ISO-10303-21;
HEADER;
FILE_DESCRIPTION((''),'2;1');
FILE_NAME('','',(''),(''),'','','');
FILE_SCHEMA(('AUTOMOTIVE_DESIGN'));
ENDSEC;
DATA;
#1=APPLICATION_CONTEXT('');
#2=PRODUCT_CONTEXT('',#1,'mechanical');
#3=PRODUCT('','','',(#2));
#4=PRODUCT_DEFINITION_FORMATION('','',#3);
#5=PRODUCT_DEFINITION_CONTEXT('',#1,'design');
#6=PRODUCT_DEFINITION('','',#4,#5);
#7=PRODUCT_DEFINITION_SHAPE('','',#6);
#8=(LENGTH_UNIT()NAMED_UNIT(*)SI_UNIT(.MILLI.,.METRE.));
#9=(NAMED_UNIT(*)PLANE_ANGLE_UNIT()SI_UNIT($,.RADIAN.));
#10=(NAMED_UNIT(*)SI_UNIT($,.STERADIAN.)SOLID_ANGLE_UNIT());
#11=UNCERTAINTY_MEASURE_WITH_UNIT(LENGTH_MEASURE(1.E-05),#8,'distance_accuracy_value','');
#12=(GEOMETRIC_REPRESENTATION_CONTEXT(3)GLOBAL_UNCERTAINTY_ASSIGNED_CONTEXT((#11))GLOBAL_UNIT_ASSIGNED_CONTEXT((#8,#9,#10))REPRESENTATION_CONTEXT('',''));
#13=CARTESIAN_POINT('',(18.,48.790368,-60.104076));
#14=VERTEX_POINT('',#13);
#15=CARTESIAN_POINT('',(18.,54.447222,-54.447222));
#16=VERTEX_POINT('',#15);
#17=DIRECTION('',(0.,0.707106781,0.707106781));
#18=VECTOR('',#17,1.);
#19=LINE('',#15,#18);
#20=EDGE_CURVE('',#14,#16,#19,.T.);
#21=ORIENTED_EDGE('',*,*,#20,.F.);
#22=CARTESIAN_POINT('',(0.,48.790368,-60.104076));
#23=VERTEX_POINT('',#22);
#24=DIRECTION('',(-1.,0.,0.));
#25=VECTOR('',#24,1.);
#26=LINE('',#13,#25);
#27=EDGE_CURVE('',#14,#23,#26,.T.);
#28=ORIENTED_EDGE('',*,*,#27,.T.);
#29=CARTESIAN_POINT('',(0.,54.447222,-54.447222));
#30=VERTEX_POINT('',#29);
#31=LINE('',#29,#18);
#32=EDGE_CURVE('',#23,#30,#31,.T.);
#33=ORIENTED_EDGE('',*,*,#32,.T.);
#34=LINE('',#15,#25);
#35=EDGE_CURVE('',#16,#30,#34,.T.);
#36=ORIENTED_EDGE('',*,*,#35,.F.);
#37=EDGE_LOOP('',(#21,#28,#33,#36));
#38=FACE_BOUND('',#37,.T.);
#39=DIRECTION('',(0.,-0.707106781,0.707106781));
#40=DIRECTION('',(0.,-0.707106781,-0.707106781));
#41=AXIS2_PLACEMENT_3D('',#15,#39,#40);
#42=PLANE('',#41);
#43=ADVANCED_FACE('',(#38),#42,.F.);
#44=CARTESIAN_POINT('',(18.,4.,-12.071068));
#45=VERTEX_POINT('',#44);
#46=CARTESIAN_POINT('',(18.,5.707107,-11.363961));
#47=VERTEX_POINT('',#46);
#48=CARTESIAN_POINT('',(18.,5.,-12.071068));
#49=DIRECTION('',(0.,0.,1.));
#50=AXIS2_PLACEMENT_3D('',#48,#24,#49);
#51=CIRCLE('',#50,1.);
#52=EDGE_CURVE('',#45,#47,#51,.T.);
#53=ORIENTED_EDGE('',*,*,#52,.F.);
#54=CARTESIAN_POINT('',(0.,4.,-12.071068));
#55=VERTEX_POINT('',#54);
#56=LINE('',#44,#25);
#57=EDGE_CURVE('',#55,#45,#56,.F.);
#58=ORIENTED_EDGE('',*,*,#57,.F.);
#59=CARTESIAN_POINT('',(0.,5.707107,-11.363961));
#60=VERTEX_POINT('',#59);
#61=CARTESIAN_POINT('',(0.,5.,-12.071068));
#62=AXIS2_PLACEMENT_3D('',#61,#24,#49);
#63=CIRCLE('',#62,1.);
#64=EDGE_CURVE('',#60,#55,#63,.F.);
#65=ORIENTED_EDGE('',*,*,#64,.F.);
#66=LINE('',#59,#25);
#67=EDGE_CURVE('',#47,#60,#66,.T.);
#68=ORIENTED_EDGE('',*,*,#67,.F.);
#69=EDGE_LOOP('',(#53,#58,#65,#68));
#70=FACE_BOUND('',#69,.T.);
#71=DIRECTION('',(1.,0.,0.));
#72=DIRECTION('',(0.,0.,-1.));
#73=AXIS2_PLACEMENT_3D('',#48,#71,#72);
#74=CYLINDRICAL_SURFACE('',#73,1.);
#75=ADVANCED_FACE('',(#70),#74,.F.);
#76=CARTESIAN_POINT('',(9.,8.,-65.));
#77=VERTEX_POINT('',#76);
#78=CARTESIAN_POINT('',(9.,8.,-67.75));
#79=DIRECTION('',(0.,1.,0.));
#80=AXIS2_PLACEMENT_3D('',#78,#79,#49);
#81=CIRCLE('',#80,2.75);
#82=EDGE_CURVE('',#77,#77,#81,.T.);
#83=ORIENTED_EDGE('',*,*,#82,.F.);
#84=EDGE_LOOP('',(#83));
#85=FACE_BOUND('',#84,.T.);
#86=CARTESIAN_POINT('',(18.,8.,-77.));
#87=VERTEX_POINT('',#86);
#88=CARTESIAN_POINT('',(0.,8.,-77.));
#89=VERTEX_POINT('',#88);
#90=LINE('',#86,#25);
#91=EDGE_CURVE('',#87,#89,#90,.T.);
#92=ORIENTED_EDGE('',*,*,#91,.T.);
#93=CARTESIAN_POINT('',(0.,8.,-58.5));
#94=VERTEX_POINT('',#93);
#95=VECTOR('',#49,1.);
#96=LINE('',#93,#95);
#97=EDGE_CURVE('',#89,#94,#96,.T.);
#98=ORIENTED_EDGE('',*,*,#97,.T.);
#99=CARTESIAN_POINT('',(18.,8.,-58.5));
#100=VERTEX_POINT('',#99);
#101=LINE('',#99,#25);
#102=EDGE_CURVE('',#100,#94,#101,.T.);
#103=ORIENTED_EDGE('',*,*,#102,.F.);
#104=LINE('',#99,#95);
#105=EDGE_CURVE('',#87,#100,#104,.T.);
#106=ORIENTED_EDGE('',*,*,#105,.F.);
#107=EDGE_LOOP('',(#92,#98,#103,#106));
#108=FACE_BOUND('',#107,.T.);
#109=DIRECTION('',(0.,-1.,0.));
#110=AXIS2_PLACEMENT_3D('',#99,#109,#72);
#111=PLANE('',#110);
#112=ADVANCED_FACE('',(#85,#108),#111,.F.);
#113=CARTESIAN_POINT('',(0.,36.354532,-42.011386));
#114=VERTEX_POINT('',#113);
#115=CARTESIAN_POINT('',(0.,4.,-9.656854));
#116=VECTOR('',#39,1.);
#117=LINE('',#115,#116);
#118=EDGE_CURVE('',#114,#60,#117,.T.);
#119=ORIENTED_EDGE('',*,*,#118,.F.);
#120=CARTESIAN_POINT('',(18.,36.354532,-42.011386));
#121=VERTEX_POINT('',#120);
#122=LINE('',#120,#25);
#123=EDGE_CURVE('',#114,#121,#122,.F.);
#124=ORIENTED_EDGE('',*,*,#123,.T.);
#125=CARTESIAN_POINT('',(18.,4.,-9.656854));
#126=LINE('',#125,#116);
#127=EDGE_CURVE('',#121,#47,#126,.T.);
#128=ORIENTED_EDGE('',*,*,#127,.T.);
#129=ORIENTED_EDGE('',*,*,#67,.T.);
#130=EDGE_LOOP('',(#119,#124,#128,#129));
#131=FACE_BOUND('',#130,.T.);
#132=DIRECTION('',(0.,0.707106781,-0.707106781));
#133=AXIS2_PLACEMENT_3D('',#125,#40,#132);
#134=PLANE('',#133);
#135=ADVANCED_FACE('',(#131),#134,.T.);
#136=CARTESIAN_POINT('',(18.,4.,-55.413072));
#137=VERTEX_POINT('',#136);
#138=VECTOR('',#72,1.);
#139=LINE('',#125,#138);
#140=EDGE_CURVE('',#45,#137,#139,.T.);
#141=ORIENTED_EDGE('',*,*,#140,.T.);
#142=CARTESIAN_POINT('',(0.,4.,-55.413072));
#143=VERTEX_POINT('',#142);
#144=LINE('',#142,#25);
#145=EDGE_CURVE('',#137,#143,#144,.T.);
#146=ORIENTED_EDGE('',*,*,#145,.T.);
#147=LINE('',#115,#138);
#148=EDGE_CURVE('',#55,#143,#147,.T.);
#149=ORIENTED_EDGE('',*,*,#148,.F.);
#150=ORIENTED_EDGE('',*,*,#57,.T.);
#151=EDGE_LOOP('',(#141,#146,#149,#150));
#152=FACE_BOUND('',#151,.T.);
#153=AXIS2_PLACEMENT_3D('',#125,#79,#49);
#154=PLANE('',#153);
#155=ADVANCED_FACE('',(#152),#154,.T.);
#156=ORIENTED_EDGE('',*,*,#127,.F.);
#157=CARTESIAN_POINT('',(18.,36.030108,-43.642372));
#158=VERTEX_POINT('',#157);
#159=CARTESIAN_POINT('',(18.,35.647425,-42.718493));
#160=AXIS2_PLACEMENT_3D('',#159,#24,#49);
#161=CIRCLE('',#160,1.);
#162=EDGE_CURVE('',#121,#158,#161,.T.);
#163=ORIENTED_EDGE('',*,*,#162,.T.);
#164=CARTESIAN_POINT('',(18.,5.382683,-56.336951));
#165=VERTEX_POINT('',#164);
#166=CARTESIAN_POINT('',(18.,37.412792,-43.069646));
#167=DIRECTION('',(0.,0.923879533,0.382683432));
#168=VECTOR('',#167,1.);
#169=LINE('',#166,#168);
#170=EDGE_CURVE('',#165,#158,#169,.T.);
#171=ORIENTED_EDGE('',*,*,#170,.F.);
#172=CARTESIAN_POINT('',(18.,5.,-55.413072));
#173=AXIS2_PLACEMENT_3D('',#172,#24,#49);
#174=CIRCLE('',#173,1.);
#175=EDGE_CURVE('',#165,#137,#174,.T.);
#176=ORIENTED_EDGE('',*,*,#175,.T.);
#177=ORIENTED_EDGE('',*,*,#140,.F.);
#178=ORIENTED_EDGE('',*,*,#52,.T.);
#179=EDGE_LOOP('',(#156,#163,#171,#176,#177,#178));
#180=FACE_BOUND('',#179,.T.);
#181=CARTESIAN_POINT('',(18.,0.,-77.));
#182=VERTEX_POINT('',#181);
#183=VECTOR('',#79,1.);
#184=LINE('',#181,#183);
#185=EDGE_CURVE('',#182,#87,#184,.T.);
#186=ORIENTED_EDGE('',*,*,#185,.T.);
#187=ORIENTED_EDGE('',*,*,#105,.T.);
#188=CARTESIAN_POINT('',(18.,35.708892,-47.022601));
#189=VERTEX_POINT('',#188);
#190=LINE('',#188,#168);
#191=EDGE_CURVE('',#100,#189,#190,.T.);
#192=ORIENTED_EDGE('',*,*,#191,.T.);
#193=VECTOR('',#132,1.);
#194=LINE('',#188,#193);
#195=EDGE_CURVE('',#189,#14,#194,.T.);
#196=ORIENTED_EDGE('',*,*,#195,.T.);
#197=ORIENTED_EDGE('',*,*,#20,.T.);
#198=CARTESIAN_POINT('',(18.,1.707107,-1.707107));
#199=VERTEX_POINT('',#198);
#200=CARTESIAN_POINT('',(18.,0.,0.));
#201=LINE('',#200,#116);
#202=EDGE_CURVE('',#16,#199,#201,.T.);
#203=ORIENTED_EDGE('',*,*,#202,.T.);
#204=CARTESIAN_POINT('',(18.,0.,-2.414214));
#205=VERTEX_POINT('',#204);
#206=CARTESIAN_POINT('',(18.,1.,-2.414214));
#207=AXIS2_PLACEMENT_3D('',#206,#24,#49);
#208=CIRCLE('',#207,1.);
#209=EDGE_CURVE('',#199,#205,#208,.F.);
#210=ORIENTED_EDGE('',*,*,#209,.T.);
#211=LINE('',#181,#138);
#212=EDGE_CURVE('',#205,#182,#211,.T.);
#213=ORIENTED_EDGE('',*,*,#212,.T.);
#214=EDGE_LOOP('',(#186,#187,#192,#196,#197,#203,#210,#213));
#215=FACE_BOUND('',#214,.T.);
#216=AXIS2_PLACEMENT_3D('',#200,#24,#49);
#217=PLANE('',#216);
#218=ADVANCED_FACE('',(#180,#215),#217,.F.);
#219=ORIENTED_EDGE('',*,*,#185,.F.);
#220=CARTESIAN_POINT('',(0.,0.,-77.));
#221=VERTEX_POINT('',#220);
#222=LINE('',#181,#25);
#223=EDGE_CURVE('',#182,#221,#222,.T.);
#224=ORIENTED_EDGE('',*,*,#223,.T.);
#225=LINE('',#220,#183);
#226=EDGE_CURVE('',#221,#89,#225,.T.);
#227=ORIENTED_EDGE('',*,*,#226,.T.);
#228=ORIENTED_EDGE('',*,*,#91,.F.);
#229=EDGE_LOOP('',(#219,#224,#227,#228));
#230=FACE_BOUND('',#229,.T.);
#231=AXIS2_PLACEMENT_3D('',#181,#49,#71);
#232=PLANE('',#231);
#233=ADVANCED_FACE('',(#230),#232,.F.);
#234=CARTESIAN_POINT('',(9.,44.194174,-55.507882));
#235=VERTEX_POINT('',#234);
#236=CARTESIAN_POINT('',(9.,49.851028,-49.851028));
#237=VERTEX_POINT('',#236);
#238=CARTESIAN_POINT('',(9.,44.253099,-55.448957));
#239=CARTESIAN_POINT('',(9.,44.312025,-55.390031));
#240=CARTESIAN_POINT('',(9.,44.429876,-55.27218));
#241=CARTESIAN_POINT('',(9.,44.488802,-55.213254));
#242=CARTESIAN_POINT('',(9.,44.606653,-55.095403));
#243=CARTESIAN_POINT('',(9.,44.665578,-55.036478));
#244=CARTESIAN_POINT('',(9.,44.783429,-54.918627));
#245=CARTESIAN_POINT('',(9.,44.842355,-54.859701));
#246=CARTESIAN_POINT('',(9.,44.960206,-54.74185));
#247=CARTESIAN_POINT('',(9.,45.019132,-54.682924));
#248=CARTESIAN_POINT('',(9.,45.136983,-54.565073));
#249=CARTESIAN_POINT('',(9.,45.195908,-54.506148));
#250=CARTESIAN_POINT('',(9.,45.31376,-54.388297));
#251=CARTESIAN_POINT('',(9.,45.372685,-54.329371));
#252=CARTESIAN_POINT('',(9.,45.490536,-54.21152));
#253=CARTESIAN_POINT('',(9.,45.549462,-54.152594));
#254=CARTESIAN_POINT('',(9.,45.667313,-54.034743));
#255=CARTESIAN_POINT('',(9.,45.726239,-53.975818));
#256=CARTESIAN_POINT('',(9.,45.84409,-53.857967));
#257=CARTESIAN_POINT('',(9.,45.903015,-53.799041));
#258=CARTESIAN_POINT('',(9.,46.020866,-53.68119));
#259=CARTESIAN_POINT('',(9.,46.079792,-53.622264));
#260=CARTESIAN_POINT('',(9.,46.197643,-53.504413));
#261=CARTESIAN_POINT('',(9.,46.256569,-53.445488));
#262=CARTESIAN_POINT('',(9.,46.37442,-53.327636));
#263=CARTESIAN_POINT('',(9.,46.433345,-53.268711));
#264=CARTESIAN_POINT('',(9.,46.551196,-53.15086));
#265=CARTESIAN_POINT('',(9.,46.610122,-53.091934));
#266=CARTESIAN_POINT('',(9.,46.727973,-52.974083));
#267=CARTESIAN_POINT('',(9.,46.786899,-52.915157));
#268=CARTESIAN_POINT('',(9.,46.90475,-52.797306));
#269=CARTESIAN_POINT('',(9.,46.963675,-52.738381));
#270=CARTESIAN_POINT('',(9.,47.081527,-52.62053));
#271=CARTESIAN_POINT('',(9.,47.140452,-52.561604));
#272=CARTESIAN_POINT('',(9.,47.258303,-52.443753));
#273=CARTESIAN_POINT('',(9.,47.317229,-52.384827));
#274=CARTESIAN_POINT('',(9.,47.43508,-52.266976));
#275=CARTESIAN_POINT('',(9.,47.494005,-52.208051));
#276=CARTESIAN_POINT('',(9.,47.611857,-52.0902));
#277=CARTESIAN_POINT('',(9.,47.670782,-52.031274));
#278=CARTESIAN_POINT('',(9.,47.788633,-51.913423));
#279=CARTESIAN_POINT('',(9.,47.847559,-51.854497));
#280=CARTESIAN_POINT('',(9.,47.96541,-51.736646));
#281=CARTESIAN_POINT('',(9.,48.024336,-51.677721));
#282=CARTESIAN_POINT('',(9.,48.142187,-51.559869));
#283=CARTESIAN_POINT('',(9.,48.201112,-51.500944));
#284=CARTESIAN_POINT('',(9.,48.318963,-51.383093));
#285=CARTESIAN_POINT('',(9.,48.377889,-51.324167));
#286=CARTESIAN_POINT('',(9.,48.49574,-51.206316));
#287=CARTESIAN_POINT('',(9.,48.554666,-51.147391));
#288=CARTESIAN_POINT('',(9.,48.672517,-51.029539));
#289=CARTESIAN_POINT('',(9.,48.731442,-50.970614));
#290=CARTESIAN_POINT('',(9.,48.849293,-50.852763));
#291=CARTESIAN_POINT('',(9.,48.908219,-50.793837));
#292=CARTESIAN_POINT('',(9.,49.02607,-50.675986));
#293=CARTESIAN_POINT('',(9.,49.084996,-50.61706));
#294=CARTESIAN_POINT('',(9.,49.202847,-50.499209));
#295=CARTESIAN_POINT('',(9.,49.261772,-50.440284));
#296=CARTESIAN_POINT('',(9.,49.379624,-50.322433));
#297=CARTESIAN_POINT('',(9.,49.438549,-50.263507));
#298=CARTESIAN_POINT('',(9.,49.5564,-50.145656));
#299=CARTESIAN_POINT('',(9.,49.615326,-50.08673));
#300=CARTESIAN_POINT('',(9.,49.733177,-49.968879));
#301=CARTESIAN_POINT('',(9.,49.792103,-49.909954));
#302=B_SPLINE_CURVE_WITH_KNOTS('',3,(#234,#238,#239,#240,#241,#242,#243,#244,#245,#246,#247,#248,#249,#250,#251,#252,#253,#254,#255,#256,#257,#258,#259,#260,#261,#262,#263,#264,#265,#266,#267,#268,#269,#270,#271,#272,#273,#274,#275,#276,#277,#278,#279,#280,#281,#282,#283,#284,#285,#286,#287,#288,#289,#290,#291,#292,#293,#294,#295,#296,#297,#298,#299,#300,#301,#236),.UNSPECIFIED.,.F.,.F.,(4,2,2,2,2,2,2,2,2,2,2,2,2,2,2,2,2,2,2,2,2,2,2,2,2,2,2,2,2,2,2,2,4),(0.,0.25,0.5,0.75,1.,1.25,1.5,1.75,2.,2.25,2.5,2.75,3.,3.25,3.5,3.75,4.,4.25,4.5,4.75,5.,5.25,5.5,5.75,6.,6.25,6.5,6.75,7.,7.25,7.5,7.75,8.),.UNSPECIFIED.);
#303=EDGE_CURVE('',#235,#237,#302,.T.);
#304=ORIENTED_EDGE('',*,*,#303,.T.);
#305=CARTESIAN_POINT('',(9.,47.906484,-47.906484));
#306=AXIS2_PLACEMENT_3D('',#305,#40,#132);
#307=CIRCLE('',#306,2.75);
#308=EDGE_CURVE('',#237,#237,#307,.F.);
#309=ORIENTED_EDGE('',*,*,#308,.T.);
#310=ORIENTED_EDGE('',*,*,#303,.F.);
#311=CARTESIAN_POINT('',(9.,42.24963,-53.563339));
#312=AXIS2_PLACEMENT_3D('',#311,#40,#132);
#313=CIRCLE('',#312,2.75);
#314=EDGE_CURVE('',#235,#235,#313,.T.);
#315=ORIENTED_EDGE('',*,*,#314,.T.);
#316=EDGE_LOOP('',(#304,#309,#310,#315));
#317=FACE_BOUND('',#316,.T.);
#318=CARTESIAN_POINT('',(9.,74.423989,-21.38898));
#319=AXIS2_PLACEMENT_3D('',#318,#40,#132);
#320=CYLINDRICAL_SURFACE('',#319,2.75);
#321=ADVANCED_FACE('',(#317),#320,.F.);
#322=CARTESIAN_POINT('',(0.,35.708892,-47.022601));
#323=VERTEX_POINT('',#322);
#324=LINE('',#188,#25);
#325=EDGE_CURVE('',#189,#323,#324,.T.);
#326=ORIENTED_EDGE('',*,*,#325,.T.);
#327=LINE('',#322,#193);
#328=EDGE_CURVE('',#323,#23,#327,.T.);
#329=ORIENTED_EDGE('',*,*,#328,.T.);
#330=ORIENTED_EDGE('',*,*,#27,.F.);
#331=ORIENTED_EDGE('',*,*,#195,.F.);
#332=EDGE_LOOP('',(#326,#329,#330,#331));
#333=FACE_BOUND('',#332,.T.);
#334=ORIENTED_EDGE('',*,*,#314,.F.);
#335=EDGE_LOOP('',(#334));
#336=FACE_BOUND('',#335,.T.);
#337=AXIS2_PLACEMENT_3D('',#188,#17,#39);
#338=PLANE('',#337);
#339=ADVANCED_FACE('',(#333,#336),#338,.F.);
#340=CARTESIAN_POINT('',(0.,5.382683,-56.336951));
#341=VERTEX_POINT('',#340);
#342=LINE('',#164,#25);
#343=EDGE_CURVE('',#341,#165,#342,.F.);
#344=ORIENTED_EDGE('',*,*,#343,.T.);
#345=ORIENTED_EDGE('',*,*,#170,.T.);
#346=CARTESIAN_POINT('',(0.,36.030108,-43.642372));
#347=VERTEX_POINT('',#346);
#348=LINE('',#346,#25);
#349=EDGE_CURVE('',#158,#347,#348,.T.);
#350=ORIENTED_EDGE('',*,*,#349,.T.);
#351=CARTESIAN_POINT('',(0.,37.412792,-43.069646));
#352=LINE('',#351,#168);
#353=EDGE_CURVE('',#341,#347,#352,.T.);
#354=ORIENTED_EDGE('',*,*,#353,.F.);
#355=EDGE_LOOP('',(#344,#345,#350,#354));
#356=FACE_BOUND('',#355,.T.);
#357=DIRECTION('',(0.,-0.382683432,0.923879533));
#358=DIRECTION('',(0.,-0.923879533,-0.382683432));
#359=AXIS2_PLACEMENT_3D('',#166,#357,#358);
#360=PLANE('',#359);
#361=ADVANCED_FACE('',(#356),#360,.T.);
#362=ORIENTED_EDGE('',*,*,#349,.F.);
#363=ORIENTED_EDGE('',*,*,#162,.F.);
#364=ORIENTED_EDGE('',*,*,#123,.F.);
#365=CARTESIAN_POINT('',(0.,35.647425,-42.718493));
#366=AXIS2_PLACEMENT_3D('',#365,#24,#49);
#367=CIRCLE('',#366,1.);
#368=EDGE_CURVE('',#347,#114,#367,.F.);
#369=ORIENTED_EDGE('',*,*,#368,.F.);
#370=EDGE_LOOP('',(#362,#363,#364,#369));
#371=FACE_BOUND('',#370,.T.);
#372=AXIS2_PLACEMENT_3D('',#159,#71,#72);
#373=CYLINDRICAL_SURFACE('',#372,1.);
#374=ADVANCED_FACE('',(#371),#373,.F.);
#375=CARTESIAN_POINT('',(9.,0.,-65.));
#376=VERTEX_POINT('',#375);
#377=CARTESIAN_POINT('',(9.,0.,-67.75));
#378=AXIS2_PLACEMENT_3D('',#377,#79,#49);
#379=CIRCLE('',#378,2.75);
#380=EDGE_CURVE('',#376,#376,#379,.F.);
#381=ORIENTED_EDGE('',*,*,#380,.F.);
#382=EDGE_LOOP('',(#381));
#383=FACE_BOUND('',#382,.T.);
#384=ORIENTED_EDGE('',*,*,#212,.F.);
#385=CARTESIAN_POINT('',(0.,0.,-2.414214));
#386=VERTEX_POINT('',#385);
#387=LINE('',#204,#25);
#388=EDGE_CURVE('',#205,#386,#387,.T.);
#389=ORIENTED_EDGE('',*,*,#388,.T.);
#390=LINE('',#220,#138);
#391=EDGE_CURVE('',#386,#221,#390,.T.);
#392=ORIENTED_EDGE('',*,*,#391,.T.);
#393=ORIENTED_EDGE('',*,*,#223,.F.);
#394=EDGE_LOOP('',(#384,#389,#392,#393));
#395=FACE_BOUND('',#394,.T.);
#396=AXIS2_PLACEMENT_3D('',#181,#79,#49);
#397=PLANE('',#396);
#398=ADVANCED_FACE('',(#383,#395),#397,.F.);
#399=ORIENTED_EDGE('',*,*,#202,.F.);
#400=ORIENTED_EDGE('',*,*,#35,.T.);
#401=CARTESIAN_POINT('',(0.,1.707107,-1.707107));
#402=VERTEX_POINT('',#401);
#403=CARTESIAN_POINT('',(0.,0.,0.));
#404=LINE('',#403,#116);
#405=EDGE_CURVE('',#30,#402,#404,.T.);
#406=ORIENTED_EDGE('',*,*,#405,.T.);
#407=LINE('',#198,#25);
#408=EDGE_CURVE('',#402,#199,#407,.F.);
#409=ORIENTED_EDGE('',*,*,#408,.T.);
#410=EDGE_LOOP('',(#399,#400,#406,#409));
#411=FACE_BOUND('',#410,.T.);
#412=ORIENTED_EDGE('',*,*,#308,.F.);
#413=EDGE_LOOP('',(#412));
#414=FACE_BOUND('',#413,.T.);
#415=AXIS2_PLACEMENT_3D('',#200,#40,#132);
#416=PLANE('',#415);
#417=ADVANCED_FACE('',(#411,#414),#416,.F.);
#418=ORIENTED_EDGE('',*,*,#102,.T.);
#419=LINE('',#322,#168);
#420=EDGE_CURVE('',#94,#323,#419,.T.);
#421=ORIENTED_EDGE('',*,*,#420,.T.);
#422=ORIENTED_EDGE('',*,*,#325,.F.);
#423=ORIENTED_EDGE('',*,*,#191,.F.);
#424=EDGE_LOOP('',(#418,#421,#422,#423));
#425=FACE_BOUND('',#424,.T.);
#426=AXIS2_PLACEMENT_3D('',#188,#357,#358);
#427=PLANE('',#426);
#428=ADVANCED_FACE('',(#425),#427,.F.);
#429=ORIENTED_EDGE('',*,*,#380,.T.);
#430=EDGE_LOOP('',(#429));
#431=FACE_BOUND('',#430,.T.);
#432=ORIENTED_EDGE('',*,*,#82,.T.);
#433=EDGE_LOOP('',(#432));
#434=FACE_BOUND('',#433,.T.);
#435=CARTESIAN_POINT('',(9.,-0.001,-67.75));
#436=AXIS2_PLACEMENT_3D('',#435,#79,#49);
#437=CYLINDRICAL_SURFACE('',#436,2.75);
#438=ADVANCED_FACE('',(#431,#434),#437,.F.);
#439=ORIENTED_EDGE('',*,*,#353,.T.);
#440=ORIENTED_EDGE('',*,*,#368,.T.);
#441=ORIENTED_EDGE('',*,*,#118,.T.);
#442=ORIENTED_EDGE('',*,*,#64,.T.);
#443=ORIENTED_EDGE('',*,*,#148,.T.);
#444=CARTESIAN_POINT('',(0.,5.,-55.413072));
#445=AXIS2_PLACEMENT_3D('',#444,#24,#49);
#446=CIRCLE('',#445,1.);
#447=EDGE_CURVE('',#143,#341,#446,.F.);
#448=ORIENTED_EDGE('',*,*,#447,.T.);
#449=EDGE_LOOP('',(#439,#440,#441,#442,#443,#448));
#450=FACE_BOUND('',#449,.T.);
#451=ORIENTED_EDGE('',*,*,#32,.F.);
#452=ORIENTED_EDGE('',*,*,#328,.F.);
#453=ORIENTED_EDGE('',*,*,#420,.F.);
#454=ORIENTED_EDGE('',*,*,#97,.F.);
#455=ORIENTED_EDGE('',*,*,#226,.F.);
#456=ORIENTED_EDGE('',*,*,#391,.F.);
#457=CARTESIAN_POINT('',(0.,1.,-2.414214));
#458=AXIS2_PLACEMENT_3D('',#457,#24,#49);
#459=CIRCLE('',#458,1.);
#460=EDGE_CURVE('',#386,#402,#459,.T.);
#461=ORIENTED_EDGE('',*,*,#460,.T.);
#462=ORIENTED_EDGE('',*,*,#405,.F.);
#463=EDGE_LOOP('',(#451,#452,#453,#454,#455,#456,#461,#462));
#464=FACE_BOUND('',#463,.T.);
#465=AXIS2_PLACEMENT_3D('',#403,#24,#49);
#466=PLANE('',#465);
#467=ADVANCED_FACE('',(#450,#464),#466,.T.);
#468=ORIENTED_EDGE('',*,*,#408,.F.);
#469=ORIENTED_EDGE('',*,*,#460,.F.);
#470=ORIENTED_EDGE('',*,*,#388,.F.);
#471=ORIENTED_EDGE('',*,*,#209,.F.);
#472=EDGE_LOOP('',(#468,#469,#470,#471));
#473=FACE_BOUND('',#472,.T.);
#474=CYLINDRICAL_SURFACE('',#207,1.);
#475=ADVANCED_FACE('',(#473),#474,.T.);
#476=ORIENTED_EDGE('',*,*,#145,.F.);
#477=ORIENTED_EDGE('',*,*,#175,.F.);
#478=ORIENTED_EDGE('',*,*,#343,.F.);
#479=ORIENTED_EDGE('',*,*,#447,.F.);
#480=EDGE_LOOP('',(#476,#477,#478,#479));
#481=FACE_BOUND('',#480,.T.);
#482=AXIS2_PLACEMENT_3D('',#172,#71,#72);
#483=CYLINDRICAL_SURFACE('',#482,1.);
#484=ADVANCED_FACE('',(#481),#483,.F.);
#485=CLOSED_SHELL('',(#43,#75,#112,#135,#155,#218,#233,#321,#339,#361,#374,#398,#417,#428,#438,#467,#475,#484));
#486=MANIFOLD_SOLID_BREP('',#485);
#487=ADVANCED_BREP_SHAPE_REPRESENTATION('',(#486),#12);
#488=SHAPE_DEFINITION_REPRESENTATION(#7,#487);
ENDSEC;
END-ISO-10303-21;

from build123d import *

# Parameters (mm, degrees)
EXTRUDE_2_DEPTH     = 18
FILLET_2_R          = 1
CUT_EXTRUDE_1_REACH = 93.708
SKETCH_2_R          = 2.75
CUT_EXTRUDE_2_REACH = 97.007
SKETCH_3_R          = 2.75


with BuildPart() as part:
    # 草图1 → 凸台-拉伸2 (new body)
    with BuildSketch(Plane(origin=(0, 0, 0), x_dir=(0, 0, -1), z_dir=(1, 0, 0))):
        Polygon((77, 0), (0, 0), (54.447222151, 54.447222151), (60.104076401, 48.790367902), (47.022600949, 35.70889245), (58.5, 8), (77, 8), align=None)
        Polygon((9.656854249, 4), (56.909677649, 4), (43.069646105, 37.412791856), align=None, mode=Mode.SUBTRACT)
    extrude(amount=EXTRUDE_2_DEPTH)

    # 圆角2
    fillet_2_edges = [part.edges().sort_by_distance(p)[0] for p in [
        (9, 0, 0),
        (9, 37.412791856, -43.069646105),
        (9, 4, -9.656854249),
        (9, 4, -56.909677649),
    ]]
    fillet(fillet_2_edges, radius=FILLET_2_R)

    # 草图2 → 切除-拉伸1 (cut, up to next)
    with BuildSketch(Plane(origin=(0, 8, 0), x_dir=(1, 0, 0), z_dir=(0, 1, 0)), mode=Mode.PRIVATE) as cut_extrude_1_sk1:
        with Locations(Location((9, 67.75, 0), (0, 0, 270))):
            Circle(SKETCH_2_R)
    cut_extrude_1_tool1 = extrude(cut_extrude_1_sk1.sketch, amount=-CUT_EXTRUDE_1_REACH, mode=Mode.PRIVATE) & part.part
    add(cut_extrude_1_tool1.solids().sort_by_distance((9, 8, -67.75))[0], mode=Mode.SUBTRACT)

    # 草图3 → 切除-拉伸2 (cut, up to next)
    with BuildSketch(Plane(origin=(0, -5.656854249, -5.656854249), x_dir=(1, 0, 0), z_dir=(0, -0.7071067811865509, -0.7071067811865441)), mode=Mode.PRIVATE) as cut_extrude_2_sk1:
        with Locations(Location((9, -67.75, 0), (0, 0, 270))):
            Circle(SKETCH_3_R)
    cut_extrude_2_tool1 = extrude(cut_extrude_2_sk1.sketch, amount=-CUT_EXTRUDE_2_REACH, mode=Mode.PRIVATE) & part.part
    add(cut_extrude_2_tool1.solids().sort_by_distance((9, 42.24963, -53.563339))[0], mode=Mode.SUBTRACT)


solid = part.part
